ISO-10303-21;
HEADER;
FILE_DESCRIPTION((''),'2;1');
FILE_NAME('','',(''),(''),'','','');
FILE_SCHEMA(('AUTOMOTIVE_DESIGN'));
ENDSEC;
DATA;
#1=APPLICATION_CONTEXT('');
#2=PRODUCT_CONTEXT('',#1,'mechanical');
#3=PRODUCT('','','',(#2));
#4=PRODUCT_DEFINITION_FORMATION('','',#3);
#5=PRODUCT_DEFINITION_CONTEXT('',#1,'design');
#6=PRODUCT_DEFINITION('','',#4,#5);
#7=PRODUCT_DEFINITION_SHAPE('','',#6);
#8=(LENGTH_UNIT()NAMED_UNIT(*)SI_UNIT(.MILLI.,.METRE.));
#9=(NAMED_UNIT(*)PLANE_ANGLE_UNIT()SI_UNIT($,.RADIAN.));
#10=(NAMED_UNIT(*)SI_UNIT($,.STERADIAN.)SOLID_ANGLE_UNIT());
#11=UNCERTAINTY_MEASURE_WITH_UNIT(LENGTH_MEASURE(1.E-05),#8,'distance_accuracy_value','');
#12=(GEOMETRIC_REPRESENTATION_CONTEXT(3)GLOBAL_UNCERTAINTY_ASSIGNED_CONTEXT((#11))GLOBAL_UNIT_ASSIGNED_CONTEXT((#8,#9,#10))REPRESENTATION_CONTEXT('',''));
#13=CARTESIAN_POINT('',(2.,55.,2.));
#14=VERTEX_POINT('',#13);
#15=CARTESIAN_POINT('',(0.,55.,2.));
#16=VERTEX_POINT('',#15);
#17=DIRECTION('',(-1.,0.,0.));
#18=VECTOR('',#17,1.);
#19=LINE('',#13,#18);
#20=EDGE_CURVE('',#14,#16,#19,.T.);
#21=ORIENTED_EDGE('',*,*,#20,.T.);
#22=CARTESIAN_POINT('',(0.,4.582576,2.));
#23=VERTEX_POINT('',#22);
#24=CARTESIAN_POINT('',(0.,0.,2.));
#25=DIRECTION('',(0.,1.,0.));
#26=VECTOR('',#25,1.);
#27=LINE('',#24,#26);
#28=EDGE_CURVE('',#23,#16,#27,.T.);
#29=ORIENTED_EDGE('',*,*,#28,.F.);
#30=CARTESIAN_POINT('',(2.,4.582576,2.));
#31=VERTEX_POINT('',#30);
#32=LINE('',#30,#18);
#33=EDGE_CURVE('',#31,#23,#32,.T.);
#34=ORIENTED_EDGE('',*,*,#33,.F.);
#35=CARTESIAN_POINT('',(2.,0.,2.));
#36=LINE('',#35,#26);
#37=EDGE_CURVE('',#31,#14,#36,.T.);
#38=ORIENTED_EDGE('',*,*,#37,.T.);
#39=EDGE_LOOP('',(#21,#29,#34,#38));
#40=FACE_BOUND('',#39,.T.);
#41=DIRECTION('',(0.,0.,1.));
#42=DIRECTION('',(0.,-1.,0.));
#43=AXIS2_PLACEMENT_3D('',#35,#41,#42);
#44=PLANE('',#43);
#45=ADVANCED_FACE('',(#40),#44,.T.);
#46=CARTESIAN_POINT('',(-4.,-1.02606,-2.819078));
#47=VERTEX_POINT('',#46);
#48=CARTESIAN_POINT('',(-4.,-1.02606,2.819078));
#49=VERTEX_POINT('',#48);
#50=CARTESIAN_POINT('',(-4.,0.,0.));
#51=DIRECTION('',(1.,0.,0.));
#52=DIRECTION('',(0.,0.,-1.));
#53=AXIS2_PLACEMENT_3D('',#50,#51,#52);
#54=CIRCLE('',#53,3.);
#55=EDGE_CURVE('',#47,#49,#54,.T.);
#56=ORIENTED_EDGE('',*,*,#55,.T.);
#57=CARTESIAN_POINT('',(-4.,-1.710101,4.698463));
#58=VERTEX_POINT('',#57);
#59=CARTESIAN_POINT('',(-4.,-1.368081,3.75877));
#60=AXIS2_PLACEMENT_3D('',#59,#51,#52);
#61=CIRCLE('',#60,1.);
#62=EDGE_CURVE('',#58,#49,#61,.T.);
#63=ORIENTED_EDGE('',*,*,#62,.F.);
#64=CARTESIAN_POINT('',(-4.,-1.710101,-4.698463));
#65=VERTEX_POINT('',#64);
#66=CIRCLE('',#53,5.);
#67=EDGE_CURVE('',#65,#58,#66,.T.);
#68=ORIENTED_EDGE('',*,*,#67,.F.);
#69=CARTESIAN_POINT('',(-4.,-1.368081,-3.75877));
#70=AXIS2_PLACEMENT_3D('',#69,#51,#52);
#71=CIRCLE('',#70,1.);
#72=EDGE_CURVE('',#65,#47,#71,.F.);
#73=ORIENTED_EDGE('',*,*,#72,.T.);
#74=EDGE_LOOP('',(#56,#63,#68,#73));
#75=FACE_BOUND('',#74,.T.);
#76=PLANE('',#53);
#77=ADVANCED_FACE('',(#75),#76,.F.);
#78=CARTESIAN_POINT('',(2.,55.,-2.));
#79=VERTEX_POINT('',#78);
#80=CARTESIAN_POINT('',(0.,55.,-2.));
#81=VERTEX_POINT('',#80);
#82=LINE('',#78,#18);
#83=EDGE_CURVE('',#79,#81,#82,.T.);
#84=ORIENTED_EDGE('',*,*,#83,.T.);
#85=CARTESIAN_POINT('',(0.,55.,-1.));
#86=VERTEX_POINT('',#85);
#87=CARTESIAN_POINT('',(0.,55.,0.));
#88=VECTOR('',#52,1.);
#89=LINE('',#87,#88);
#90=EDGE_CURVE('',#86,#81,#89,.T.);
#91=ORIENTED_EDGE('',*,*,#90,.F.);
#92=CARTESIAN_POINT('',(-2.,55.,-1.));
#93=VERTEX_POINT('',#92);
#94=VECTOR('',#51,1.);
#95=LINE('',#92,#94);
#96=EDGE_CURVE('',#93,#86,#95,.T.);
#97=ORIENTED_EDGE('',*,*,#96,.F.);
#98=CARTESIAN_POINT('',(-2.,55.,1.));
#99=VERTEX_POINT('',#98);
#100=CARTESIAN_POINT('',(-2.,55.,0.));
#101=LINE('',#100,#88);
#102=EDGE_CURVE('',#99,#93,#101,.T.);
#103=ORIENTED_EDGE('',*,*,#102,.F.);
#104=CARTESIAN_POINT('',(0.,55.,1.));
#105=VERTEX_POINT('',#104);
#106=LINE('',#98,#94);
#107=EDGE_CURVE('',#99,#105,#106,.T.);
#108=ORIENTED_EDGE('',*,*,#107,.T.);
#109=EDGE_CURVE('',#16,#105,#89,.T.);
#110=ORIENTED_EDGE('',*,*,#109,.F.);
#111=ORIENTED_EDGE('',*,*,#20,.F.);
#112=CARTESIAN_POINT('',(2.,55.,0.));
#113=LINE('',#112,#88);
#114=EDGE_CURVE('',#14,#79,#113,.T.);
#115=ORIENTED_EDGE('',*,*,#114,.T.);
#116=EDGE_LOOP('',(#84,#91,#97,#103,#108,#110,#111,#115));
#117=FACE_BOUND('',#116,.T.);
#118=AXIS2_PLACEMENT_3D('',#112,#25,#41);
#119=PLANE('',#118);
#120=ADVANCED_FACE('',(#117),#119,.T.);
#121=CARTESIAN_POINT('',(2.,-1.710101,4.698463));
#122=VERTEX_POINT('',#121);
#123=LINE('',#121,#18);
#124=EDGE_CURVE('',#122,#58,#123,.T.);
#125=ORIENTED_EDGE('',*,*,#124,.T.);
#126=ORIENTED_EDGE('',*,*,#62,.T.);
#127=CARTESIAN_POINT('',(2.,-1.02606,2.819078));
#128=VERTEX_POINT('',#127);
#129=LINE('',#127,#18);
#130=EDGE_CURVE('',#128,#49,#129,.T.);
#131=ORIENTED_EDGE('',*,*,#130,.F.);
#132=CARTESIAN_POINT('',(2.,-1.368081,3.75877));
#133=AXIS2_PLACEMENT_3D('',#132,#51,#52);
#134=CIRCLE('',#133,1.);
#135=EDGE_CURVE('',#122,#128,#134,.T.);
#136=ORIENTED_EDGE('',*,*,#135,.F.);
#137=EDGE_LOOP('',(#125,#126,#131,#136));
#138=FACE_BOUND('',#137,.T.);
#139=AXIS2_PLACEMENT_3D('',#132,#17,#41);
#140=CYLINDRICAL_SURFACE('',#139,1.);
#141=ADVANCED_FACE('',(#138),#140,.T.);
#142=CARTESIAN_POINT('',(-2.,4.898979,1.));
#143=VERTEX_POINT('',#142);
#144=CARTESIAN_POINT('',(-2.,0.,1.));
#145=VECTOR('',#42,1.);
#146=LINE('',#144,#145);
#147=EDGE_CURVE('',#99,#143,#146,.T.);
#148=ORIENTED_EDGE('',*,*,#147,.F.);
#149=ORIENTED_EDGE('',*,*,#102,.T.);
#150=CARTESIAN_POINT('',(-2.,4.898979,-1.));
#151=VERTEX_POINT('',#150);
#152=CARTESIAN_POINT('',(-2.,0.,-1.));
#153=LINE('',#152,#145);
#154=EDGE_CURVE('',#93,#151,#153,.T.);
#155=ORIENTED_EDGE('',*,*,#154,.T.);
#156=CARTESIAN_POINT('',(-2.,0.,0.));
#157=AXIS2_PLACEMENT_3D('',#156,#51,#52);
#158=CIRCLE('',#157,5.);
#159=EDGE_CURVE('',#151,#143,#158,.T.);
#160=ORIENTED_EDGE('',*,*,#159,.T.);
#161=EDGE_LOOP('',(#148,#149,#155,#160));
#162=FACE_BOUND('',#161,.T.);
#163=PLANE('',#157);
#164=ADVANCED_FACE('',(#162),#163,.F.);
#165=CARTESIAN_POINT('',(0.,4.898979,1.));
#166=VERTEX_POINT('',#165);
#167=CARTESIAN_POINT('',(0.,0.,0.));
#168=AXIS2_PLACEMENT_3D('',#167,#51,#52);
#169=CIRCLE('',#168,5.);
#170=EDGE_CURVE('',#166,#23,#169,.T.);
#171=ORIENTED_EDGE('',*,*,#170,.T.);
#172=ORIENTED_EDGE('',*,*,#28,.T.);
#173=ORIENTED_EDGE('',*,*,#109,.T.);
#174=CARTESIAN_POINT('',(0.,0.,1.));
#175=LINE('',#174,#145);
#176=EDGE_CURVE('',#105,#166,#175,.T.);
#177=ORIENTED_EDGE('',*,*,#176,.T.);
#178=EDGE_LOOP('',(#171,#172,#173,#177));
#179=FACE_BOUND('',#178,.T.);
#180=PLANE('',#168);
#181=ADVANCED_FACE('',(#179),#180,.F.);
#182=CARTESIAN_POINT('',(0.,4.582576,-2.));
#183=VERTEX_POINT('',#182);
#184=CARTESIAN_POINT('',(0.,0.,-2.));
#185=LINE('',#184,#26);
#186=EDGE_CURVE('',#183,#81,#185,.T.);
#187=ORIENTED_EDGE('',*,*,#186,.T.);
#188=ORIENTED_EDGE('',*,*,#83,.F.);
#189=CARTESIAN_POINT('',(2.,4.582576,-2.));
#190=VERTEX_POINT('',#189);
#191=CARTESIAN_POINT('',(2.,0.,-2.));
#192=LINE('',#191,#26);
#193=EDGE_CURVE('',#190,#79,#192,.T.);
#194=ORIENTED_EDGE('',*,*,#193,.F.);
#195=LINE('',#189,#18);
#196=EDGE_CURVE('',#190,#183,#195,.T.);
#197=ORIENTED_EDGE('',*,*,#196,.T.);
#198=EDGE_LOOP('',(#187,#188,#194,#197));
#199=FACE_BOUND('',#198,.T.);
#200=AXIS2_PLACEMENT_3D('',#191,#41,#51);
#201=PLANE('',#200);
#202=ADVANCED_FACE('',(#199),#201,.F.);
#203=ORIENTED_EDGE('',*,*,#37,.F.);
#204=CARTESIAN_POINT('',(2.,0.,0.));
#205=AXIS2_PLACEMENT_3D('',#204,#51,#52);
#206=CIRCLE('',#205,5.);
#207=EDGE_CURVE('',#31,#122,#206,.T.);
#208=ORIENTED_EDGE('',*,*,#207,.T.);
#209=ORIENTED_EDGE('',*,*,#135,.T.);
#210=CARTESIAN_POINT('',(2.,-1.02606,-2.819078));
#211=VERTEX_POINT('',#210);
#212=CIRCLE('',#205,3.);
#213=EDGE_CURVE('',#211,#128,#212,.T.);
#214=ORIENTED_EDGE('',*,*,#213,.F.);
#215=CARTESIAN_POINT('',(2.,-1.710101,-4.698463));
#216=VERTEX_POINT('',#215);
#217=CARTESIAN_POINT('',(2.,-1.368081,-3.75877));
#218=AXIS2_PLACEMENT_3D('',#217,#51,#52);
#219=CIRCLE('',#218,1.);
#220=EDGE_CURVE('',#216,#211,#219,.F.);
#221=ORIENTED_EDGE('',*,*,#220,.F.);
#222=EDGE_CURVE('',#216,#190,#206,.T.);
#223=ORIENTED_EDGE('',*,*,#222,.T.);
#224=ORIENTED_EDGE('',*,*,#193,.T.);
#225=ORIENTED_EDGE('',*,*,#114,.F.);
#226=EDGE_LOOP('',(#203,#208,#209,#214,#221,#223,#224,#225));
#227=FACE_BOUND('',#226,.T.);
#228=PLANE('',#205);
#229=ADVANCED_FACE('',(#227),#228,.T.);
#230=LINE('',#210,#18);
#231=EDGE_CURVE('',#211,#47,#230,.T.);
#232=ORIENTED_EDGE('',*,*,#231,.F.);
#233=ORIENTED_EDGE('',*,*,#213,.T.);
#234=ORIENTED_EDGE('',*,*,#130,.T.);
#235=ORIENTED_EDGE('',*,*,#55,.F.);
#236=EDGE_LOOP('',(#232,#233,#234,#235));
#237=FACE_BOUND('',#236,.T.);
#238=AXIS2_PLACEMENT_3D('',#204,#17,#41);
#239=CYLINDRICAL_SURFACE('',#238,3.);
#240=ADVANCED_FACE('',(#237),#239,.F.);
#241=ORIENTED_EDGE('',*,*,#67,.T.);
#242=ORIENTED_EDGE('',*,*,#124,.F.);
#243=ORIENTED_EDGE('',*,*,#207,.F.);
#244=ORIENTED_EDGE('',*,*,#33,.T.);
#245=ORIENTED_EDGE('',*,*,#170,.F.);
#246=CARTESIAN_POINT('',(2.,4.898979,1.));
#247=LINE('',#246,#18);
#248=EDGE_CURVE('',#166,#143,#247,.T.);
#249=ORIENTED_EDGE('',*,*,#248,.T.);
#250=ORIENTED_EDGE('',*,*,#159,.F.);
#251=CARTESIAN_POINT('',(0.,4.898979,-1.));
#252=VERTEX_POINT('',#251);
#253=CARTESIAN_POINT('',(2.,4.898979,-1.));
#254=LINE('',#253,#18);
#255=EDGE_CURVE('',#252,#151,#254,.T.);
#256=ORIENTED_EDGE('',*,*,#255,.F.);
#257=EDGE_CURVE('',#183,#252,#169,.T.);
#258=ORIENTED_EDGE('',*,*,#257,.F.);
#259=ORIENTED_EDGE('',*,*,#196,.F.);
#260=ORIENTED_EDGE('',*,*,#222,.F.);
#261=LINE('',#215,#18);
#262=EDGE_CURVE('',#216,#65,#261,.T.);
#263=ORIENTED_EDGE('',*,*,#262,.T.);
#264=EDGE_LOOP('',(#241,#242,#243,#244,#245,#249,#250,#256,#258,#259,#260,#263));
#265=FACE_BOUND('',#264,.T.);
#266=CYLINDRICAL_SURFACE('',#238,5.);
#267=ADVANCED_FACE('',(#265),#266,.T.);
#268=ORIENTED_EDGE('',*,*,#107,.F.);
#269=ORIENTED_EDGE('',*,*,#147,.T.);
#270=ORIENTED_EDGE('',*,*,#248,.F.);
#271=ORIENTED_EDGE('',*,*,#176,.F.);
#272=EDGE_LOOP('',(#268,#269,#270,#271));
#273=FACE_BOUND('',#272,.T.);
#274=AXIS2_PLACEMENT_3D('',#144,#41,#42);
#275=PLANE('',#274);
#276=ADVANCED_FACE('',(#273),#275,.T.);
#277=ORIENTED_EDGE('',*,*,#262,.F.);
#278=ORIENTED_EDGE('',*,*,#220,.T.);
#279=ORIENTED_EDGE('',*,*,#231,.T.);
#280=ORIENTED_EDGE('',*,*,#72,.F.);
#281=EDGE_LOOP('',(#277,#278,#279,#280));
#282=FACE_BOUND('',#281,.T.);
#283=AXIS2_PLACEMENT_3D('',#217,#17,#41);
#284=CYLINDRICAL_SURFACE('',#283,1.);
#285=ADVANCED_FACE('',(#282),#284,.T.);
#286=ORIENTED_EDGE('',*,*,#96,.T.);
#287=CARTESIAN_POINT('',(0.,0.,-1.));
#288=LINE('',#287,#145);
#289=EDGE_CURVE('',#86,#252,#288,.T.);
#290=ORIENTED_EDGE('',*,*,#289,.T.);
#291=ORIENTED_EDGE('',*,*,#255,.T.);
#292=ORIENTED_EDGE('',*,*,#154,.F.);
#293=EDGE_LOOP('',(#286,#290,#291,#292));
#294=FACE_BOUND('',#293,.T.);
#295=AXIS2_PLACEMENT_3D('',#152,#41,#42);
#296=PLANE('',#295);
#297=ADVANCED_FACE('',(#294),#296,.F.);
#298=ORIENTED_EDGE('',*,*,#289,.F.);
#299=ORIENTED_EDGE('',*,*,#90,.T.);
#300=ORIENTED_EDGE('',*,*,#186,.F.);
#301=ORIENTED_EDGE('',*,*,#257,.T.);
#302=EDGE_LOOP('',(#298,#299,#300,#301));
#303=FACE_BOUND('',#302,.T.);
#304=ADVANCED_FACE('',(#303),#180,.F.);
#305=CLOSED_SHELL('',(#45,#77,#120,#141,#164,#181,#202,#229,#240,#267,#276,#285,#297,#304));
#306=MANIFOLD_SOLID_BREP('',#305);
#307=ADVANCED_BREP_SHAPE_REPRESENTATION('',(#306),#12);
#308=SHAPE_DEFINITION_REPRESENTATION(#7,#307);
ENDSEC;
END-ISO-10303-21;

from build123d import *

# Parameters (mm, degrees)
BOSS_EXTRUDE1_DEPTH      = 2
BOSS_EXTRUDE1_DEPTH_BACK = 4
BOSS_EXTRUDE2_DEPTH      = 2
BOSS_EXTRUDE3_DEPTH      = 2


with BuildPart() as part:
    # Sketch1 → Boss-Extrude1 (new, two sides: drawn at the far end of the back side and taken through both)
    with BuildSketch(Plane(origin=(0, 0, 0), x_dir=(0, 0, -1), z_dir=(1, 0, 0)).offset(-BOSS_EXTRUDE1_DEPTH_BACK)):
        with BuildLine():
            Line((-5, 0), (-3, 0))
            ThreePointArc((-3, 0), (0, 3), (3, 0))
            ThreePointArc((3, 0), (2.954423259, -0.520944533), (2.819077862, -1.02606043))
            Line((2.819077862, -1.02606043), (4.698463104, -1.710100717))
            ThreePointArc((4.698463104, -1.710100717), (4.924038765, -0.868240888), (5, 0))
            ThreePointArc((5, 0), (0, 5), (-5, 0))
        make_face()
        with BuildLine():
            Line((4.698463104, -1.710100717), (2.819077862, -1.02606043))
            ThreePointArc((2.819077862, -1.02606043), (3.41675034, -2.307773194), (4.698463104, -1.710100717))
        make_face()
        with BuildLine():
            ThreePointArc((-2.819077862, -1.02606043), (-2.954423259, -0.520944533), (-3, 0))
            Line((-3, 0), (-5, 0))
            ThreePointArc((-5, 0), (-4.924038765, -0.868240888), (-4.698463104, -1.710100717))
            Line((-4.698463104, -1.710100717), (-3.758770483, -1.368080573))
            Line((-3.758770483, -1.368080573), (-2.819077862, -1.02606043))
        make_face()
        with BuildLine():
            ThreePointArc((-4.698463104, -1.710100717), (-3.41675034, -2.307773194), (-2.819077862, -1.02606043))
            Line((-2.819077862, -1.02606043), (-3.758770483, -1.368080573))
            Line((-3.758770483, -1.368080573), (-4.698463104, -1.710100717))
        make_face()
    extrude(amount=BOSS_EXTRUDE1_DEPTH + BOSS_EXTRUDE1_DEPTH_BACK)

    # Sketch2 → Boss-Extrude2 (add)
    with BuildSketch(Plane(origin=(0, 0, 0), x_dir=(0, 0, -1), z_dir=(1, 0, 0))):
        Polygon((-2, 3), (0, 3), (2, 3), (2, 55), (-2, 55), align=None)
    extrude(amount=BOSS_EXTRUDE2_DEPTH)

    # Sketch3 → Boss-Extrude3 (add)
    with BuildSketch(Plane(origin=(0, 0, 0), x_dir=(0, 0, -1), z_dir=(1, 0, 0))):
        Polygon((1, 55), (0, 55), (-1, 55), (-1, 3), (1, 3), align=None)
    extrude(amount=-BOSS_EXTRUDE3_DEPTH)


solid = part.part
